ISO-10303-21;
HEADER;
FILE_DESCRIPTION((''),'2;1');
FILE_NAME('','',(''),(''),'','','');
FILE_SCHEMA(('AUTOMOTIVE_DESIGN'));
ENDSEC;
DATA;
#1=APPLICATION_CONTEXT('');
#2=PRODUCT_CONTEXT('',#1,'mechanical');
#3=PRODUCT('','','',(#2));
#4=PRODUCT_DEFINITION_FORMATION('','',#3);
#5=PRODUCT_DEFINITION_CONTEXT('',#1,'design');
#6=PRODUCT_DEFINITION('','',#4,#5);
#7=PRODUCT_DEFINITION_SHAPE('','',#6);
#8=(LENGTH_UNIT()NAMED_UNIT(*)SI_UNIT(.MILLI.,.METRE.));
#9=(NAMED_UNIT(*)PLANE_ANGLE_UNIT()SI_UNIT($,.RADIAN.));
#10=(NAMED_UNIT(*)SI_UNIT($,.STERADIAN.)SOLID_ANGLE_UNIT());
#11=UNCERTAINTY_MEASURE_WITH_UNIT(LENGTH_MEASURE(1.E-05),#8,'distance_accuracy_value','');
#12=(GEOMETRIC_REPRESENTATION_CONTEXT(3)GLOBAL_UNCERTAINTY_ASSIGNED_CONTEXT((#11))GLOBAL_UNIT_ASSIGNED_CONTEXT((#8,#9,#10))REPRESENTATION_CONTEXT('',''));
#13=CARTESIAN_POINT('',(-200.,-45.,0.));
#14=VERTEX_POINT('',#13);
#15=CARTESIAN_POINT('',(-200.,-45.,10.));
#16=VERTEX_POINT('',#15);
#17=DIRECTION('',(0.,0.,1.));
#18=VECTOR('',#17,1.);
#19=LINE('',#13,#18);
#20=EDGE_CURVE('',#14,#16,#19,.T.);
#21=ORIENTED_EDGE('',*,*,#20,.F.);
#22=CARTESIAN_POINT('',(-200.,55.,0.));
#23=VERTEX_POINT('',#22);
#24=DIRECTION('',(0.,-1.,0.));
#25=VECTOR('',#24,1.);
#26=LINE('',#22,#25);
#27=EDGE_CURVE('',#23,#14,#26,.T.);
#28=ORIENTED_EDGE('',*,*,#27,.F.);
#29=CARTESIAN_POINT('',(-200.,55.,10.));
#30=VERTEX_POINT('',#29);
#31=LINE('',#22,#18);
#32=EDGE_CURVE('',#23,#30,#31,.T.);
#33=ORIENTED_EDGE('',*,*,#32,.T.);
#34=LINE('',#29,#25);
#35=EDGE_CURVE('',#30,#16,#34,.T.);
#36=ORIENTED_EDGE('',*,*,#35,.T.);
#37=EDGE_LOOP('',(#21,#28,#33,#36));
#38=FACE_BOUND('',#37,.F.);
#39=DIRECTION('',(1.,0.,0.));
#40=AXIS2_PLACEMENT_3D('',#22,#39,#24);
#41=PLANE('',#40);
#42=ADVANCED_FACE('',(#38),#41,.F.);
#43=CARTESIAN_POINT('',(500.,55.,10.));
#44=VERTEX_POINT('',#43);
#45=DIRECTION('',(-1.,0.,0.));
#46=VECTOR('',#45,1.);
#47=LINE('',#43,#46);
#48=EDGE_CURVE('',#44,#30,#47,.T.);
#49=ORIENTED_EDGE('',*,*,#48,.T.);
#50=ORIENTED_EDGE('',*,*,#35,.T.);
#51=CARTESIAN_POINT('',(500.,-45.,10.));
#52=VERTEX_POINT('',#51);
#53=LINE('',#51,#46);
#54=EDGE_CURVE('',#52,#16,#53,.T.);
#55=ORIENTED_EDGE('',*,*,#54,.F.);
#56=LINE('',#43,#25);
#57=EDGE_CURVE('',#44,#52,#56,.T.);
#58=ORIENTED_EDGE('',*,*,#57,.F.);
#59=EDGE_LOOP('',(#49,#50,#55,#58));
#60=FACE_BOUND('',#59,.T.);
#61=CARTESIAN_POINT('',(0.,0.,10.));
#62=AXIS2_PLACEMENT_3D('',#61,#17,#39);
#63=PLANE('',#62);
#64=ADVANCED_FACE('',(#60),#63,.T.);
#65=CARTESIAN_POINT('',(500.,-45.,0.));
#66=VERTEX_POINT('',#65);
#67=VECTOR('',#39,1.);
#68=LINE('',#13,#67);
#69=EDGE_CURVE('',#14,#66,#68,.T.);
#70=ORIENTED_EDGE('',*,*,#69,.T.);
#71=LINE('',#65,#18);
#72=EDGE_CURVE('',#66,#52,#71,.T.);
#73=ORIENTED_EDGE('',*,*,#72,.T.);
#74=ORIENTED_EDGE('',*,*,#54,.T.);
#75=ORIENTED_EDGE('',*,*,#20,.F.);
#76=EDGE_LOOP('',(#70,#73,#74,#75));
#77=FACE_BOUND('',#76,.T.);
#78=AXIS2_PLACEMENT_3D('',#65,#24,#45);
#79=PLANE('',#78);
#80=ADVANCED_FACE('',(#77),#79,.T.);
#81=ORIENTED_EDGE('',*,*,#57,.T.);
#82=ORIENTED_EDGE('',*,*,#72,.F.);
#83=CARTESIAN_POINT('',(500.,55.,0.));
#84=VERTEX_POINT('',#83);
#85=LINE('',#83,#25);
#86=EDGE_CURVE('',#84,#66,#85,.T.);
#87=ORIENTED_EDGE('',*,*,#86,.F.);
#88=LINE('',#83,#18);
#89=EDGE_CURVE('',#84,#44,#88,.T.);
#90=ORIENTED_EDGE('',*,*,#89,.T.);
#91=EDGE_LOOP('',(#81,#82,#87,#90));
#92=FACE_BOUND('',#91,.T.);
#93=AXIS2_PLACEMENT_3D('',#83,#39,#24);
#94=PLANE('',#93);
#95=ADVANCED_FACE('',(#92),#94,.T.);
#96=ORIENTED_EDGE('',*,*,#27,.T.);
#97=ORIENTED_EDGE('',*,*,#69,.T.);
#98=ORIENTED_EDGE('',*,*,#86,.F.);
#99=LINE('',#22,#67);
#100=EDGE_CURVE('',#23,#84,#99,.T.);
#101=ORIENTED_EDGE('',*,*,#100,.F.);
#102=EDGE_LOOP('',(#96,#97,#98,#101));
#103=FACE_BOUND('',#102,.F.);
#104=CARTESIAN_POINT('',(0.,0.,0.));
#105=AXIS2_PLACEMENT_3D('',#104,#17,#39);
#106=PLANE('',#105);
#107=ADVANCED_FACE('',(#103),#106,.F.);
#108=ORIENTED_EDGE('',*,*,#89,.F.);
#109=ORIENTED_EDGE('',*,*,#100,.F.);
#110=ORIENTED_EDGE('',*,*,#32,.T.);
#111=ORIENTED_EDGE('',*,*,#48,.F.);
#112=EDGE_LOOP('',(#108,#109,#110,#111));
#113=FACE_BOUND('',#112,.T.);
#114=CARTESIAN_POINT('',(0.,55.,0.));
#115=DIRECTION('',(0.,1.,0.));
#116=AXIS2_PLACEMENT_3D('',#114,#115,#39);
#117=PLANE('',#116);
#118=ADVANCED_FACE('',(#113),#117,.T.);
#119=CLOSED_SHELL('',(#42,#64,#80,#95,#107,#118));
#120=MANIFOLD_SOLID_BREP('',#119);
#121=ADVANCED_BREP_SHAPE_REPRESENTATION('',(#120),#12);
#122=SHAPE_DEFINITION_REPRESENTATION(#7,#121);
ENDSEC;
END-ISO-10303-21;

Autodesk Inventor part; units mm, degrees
ref_plane "YZ Plane" through (0, 0, 0) normal (1, 0, 0) x (0, 1, 0)
ref_plane "XZ Plane" through (0, 0, 0) normal (0, 1, 0) x (-1, 0, 0)
ref_plane "XY Plane" through (0, 0, 0) normal (0, 0, 1) x (1, 0, 0)
sketch "Sketch1" plane through (0, 0, 0) normal (0, 0, 1) x (1, 0, 0)
  line L0 (0, 0) -> (500, 0) construction
  line L1 (500, 0) -> (500, 10) construction
  line L2 (500, 10) -> (0, 10) construction
  line L3 (0, 10) -> (0, 0) construction
  line L4 (250, 0) -> (250, 10) construction
  line L5 (500, -45) -> (0, -45)
  line L6 (0, -45) -> (0, 55)
  line L7 (0, 55) -> (500, 55)
  line L8 (500, 55) -> (500, -45)
  line L9 (500, -45) -> (0, 55) construction
  line L10 (0, -45) -> (500, 55) construction
  line L11 (0, 55) -> (-200, 55)
  line L12 (-200, 55) -> (-200, -45)
  line L13 (-200, -45) -> (0, -45)
  line L14 (0, -45) -> (0, 55)
  point P0 (250, 5)
  dimension "d0" = 500
  dimension "d1" = 10
  dimension "d2" = 500
  dimension "d3" = 100
  dimension "d4" = 200
  dimension "d5" = 100
extrude "Extrusion1" add sketch "Sketch1" along normal blind 10
properties part number "basePlate"
